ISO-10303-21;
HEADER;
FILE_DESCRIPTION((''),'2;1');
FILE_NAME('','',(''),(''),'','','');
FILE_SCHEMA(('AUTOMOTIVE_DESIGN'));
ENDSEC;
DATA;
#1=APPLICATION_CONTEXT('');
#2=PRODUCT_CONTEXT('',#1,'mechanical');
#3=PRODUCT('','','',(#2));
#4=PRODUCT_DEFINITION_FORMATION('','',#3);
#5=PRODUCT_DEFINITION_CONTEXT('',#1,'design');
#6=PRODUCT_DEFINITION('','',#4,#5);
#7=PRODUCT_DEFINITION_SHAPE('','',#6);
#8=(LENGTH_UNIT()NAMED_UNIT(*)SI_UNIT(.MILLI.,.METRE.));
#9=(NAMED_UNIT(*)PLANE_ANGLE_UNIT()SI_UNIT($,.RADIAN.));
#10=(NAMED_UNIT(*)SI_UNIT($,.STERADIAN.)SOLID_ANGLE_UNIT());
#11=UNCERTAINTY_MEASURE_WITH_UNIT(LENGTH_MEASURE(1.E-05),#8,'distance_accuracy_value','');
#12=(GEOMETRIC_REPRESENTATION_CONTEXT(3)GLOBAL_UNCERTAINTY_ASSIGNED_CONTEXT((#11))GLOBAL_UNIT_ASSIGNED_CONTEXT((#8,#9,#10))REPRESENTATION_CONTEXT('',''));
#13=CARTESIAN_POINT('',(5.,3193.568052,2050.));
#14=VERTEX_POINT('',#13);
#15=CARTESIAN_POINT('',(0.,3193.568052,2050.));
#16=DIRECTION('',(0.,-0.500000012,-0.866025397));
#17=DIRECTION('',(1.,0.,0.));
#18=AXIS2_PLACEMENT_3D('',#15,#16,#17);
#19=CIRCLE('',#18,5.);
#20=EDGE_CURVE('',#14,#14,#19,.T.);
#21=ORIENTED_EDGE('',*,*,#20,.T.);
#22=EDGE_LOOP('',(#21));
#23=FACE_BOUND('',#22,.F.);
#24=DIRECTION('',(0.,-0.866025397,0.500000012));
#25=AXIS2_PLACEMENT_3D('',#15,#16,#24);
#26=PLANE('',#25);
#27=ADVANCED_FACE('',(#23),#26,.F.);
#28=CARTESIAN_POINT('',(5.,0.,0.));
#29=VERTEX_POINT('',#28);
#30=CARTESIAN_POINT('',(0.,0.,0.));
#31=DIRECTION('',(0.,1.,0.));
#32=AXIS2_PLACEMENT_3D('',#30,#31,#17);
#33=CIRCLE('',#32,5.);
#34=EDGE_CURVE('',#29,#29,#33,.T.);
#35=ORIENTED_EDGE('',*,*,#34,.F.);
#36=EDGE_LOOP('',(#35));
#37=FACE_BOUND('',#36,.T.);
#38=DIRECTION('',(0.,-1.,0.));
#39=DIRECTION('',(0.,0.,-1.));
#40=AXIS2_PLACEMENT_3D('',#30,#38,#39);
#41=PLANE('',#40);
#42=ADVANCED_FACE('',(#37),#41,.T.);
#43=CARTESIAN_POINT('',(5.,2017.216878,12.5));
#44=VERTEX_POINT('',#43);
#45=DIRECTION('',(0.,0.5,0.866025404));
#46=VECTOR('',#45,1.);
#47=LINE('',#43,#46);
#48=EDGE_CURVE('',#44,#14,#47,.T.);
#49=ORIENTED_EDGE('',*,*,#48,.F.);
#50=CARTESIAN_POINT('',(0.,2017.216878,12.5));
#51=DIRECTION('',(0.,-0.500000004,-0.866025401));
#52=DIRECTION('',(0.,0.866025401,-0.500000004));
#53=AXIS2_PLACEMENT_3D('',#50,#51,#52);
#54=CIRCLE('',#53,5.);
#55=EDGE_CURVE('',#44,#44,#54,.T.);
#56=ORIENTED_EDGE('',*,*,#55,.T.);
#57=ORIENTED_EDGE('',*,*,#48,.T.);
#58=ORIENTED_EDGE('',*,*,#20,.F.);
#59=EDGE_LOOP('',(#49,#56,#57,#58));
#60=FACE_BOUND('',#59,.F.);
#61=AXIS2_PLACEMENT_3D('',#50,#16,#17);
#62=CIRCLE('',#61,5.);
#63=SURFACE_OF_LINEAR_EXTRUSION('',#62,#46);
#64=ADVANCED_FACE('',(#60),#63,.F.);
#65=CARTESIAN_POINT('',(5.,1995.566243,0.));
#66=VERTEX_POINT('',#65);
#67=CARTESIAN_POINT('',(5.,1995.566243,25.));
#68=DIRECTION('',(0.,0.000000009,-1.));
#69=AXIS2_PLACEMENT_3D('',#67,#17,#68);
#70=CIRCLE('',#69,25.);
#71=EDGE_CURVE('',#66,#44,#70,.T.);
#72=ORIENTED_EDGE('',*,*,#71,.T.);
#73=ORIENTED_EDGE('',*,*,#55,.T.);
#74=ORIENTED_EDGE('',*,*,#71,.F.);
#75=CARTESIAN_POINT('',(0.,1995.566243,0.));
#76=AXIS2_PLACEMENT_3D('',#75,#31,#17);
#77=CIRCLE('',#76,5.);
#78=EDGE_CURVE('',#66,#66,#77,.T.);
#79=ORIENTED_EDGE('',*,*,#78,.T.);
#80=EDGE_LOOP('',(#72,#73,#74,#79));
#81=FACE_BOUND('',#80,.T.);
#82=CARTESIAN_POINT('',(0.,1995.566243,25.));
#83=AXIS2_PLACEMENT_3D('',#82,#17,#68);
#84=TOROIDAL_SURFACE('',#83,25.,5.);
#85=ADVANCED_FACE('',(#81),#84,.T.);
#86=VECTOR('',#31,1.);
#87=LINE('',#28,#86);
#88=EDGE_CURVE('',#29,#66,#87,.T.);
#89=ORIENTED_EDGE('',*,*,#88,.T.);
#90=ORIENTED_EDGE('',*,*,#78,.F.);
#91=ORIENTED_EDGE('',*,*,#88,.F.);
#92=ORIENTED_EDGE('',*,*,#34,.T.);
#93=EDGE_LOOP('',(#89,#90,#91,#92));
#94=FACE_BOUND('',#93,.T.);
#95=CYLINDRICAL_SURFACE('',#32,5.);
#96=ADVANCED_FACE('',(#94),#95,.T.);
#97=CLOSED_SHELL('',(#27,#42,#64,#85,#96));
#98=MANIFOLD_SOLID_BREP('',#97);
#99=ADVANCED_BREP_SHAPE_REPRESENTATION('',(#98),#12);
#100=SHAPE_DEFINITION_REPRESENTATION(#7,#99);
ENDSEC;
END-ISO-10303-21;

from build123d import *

# Parameters (mm, degrees)
F2_R = 5


with BuildPart() as f3:
    # F3: sweep along a path in F0
    with BuildLine(Plane.YZ) as f3_path:
        Line((0, 0), (25, 0))
        Line((25, 0), (1995.566243, 0))
        ThreePointArc((1995.566243, 0), (2008.066243, 3.349365), (2017.216878, 12.5))
        Line((2017.216878, 12.5), (3193.568052, 2050))
    # F2 (on Front) → F3 (sweep)
    with BuildSketch(Plane.XZ):
        Circle(F2_R)
    sweep(path=f3_path.line)


solid = f3.part
